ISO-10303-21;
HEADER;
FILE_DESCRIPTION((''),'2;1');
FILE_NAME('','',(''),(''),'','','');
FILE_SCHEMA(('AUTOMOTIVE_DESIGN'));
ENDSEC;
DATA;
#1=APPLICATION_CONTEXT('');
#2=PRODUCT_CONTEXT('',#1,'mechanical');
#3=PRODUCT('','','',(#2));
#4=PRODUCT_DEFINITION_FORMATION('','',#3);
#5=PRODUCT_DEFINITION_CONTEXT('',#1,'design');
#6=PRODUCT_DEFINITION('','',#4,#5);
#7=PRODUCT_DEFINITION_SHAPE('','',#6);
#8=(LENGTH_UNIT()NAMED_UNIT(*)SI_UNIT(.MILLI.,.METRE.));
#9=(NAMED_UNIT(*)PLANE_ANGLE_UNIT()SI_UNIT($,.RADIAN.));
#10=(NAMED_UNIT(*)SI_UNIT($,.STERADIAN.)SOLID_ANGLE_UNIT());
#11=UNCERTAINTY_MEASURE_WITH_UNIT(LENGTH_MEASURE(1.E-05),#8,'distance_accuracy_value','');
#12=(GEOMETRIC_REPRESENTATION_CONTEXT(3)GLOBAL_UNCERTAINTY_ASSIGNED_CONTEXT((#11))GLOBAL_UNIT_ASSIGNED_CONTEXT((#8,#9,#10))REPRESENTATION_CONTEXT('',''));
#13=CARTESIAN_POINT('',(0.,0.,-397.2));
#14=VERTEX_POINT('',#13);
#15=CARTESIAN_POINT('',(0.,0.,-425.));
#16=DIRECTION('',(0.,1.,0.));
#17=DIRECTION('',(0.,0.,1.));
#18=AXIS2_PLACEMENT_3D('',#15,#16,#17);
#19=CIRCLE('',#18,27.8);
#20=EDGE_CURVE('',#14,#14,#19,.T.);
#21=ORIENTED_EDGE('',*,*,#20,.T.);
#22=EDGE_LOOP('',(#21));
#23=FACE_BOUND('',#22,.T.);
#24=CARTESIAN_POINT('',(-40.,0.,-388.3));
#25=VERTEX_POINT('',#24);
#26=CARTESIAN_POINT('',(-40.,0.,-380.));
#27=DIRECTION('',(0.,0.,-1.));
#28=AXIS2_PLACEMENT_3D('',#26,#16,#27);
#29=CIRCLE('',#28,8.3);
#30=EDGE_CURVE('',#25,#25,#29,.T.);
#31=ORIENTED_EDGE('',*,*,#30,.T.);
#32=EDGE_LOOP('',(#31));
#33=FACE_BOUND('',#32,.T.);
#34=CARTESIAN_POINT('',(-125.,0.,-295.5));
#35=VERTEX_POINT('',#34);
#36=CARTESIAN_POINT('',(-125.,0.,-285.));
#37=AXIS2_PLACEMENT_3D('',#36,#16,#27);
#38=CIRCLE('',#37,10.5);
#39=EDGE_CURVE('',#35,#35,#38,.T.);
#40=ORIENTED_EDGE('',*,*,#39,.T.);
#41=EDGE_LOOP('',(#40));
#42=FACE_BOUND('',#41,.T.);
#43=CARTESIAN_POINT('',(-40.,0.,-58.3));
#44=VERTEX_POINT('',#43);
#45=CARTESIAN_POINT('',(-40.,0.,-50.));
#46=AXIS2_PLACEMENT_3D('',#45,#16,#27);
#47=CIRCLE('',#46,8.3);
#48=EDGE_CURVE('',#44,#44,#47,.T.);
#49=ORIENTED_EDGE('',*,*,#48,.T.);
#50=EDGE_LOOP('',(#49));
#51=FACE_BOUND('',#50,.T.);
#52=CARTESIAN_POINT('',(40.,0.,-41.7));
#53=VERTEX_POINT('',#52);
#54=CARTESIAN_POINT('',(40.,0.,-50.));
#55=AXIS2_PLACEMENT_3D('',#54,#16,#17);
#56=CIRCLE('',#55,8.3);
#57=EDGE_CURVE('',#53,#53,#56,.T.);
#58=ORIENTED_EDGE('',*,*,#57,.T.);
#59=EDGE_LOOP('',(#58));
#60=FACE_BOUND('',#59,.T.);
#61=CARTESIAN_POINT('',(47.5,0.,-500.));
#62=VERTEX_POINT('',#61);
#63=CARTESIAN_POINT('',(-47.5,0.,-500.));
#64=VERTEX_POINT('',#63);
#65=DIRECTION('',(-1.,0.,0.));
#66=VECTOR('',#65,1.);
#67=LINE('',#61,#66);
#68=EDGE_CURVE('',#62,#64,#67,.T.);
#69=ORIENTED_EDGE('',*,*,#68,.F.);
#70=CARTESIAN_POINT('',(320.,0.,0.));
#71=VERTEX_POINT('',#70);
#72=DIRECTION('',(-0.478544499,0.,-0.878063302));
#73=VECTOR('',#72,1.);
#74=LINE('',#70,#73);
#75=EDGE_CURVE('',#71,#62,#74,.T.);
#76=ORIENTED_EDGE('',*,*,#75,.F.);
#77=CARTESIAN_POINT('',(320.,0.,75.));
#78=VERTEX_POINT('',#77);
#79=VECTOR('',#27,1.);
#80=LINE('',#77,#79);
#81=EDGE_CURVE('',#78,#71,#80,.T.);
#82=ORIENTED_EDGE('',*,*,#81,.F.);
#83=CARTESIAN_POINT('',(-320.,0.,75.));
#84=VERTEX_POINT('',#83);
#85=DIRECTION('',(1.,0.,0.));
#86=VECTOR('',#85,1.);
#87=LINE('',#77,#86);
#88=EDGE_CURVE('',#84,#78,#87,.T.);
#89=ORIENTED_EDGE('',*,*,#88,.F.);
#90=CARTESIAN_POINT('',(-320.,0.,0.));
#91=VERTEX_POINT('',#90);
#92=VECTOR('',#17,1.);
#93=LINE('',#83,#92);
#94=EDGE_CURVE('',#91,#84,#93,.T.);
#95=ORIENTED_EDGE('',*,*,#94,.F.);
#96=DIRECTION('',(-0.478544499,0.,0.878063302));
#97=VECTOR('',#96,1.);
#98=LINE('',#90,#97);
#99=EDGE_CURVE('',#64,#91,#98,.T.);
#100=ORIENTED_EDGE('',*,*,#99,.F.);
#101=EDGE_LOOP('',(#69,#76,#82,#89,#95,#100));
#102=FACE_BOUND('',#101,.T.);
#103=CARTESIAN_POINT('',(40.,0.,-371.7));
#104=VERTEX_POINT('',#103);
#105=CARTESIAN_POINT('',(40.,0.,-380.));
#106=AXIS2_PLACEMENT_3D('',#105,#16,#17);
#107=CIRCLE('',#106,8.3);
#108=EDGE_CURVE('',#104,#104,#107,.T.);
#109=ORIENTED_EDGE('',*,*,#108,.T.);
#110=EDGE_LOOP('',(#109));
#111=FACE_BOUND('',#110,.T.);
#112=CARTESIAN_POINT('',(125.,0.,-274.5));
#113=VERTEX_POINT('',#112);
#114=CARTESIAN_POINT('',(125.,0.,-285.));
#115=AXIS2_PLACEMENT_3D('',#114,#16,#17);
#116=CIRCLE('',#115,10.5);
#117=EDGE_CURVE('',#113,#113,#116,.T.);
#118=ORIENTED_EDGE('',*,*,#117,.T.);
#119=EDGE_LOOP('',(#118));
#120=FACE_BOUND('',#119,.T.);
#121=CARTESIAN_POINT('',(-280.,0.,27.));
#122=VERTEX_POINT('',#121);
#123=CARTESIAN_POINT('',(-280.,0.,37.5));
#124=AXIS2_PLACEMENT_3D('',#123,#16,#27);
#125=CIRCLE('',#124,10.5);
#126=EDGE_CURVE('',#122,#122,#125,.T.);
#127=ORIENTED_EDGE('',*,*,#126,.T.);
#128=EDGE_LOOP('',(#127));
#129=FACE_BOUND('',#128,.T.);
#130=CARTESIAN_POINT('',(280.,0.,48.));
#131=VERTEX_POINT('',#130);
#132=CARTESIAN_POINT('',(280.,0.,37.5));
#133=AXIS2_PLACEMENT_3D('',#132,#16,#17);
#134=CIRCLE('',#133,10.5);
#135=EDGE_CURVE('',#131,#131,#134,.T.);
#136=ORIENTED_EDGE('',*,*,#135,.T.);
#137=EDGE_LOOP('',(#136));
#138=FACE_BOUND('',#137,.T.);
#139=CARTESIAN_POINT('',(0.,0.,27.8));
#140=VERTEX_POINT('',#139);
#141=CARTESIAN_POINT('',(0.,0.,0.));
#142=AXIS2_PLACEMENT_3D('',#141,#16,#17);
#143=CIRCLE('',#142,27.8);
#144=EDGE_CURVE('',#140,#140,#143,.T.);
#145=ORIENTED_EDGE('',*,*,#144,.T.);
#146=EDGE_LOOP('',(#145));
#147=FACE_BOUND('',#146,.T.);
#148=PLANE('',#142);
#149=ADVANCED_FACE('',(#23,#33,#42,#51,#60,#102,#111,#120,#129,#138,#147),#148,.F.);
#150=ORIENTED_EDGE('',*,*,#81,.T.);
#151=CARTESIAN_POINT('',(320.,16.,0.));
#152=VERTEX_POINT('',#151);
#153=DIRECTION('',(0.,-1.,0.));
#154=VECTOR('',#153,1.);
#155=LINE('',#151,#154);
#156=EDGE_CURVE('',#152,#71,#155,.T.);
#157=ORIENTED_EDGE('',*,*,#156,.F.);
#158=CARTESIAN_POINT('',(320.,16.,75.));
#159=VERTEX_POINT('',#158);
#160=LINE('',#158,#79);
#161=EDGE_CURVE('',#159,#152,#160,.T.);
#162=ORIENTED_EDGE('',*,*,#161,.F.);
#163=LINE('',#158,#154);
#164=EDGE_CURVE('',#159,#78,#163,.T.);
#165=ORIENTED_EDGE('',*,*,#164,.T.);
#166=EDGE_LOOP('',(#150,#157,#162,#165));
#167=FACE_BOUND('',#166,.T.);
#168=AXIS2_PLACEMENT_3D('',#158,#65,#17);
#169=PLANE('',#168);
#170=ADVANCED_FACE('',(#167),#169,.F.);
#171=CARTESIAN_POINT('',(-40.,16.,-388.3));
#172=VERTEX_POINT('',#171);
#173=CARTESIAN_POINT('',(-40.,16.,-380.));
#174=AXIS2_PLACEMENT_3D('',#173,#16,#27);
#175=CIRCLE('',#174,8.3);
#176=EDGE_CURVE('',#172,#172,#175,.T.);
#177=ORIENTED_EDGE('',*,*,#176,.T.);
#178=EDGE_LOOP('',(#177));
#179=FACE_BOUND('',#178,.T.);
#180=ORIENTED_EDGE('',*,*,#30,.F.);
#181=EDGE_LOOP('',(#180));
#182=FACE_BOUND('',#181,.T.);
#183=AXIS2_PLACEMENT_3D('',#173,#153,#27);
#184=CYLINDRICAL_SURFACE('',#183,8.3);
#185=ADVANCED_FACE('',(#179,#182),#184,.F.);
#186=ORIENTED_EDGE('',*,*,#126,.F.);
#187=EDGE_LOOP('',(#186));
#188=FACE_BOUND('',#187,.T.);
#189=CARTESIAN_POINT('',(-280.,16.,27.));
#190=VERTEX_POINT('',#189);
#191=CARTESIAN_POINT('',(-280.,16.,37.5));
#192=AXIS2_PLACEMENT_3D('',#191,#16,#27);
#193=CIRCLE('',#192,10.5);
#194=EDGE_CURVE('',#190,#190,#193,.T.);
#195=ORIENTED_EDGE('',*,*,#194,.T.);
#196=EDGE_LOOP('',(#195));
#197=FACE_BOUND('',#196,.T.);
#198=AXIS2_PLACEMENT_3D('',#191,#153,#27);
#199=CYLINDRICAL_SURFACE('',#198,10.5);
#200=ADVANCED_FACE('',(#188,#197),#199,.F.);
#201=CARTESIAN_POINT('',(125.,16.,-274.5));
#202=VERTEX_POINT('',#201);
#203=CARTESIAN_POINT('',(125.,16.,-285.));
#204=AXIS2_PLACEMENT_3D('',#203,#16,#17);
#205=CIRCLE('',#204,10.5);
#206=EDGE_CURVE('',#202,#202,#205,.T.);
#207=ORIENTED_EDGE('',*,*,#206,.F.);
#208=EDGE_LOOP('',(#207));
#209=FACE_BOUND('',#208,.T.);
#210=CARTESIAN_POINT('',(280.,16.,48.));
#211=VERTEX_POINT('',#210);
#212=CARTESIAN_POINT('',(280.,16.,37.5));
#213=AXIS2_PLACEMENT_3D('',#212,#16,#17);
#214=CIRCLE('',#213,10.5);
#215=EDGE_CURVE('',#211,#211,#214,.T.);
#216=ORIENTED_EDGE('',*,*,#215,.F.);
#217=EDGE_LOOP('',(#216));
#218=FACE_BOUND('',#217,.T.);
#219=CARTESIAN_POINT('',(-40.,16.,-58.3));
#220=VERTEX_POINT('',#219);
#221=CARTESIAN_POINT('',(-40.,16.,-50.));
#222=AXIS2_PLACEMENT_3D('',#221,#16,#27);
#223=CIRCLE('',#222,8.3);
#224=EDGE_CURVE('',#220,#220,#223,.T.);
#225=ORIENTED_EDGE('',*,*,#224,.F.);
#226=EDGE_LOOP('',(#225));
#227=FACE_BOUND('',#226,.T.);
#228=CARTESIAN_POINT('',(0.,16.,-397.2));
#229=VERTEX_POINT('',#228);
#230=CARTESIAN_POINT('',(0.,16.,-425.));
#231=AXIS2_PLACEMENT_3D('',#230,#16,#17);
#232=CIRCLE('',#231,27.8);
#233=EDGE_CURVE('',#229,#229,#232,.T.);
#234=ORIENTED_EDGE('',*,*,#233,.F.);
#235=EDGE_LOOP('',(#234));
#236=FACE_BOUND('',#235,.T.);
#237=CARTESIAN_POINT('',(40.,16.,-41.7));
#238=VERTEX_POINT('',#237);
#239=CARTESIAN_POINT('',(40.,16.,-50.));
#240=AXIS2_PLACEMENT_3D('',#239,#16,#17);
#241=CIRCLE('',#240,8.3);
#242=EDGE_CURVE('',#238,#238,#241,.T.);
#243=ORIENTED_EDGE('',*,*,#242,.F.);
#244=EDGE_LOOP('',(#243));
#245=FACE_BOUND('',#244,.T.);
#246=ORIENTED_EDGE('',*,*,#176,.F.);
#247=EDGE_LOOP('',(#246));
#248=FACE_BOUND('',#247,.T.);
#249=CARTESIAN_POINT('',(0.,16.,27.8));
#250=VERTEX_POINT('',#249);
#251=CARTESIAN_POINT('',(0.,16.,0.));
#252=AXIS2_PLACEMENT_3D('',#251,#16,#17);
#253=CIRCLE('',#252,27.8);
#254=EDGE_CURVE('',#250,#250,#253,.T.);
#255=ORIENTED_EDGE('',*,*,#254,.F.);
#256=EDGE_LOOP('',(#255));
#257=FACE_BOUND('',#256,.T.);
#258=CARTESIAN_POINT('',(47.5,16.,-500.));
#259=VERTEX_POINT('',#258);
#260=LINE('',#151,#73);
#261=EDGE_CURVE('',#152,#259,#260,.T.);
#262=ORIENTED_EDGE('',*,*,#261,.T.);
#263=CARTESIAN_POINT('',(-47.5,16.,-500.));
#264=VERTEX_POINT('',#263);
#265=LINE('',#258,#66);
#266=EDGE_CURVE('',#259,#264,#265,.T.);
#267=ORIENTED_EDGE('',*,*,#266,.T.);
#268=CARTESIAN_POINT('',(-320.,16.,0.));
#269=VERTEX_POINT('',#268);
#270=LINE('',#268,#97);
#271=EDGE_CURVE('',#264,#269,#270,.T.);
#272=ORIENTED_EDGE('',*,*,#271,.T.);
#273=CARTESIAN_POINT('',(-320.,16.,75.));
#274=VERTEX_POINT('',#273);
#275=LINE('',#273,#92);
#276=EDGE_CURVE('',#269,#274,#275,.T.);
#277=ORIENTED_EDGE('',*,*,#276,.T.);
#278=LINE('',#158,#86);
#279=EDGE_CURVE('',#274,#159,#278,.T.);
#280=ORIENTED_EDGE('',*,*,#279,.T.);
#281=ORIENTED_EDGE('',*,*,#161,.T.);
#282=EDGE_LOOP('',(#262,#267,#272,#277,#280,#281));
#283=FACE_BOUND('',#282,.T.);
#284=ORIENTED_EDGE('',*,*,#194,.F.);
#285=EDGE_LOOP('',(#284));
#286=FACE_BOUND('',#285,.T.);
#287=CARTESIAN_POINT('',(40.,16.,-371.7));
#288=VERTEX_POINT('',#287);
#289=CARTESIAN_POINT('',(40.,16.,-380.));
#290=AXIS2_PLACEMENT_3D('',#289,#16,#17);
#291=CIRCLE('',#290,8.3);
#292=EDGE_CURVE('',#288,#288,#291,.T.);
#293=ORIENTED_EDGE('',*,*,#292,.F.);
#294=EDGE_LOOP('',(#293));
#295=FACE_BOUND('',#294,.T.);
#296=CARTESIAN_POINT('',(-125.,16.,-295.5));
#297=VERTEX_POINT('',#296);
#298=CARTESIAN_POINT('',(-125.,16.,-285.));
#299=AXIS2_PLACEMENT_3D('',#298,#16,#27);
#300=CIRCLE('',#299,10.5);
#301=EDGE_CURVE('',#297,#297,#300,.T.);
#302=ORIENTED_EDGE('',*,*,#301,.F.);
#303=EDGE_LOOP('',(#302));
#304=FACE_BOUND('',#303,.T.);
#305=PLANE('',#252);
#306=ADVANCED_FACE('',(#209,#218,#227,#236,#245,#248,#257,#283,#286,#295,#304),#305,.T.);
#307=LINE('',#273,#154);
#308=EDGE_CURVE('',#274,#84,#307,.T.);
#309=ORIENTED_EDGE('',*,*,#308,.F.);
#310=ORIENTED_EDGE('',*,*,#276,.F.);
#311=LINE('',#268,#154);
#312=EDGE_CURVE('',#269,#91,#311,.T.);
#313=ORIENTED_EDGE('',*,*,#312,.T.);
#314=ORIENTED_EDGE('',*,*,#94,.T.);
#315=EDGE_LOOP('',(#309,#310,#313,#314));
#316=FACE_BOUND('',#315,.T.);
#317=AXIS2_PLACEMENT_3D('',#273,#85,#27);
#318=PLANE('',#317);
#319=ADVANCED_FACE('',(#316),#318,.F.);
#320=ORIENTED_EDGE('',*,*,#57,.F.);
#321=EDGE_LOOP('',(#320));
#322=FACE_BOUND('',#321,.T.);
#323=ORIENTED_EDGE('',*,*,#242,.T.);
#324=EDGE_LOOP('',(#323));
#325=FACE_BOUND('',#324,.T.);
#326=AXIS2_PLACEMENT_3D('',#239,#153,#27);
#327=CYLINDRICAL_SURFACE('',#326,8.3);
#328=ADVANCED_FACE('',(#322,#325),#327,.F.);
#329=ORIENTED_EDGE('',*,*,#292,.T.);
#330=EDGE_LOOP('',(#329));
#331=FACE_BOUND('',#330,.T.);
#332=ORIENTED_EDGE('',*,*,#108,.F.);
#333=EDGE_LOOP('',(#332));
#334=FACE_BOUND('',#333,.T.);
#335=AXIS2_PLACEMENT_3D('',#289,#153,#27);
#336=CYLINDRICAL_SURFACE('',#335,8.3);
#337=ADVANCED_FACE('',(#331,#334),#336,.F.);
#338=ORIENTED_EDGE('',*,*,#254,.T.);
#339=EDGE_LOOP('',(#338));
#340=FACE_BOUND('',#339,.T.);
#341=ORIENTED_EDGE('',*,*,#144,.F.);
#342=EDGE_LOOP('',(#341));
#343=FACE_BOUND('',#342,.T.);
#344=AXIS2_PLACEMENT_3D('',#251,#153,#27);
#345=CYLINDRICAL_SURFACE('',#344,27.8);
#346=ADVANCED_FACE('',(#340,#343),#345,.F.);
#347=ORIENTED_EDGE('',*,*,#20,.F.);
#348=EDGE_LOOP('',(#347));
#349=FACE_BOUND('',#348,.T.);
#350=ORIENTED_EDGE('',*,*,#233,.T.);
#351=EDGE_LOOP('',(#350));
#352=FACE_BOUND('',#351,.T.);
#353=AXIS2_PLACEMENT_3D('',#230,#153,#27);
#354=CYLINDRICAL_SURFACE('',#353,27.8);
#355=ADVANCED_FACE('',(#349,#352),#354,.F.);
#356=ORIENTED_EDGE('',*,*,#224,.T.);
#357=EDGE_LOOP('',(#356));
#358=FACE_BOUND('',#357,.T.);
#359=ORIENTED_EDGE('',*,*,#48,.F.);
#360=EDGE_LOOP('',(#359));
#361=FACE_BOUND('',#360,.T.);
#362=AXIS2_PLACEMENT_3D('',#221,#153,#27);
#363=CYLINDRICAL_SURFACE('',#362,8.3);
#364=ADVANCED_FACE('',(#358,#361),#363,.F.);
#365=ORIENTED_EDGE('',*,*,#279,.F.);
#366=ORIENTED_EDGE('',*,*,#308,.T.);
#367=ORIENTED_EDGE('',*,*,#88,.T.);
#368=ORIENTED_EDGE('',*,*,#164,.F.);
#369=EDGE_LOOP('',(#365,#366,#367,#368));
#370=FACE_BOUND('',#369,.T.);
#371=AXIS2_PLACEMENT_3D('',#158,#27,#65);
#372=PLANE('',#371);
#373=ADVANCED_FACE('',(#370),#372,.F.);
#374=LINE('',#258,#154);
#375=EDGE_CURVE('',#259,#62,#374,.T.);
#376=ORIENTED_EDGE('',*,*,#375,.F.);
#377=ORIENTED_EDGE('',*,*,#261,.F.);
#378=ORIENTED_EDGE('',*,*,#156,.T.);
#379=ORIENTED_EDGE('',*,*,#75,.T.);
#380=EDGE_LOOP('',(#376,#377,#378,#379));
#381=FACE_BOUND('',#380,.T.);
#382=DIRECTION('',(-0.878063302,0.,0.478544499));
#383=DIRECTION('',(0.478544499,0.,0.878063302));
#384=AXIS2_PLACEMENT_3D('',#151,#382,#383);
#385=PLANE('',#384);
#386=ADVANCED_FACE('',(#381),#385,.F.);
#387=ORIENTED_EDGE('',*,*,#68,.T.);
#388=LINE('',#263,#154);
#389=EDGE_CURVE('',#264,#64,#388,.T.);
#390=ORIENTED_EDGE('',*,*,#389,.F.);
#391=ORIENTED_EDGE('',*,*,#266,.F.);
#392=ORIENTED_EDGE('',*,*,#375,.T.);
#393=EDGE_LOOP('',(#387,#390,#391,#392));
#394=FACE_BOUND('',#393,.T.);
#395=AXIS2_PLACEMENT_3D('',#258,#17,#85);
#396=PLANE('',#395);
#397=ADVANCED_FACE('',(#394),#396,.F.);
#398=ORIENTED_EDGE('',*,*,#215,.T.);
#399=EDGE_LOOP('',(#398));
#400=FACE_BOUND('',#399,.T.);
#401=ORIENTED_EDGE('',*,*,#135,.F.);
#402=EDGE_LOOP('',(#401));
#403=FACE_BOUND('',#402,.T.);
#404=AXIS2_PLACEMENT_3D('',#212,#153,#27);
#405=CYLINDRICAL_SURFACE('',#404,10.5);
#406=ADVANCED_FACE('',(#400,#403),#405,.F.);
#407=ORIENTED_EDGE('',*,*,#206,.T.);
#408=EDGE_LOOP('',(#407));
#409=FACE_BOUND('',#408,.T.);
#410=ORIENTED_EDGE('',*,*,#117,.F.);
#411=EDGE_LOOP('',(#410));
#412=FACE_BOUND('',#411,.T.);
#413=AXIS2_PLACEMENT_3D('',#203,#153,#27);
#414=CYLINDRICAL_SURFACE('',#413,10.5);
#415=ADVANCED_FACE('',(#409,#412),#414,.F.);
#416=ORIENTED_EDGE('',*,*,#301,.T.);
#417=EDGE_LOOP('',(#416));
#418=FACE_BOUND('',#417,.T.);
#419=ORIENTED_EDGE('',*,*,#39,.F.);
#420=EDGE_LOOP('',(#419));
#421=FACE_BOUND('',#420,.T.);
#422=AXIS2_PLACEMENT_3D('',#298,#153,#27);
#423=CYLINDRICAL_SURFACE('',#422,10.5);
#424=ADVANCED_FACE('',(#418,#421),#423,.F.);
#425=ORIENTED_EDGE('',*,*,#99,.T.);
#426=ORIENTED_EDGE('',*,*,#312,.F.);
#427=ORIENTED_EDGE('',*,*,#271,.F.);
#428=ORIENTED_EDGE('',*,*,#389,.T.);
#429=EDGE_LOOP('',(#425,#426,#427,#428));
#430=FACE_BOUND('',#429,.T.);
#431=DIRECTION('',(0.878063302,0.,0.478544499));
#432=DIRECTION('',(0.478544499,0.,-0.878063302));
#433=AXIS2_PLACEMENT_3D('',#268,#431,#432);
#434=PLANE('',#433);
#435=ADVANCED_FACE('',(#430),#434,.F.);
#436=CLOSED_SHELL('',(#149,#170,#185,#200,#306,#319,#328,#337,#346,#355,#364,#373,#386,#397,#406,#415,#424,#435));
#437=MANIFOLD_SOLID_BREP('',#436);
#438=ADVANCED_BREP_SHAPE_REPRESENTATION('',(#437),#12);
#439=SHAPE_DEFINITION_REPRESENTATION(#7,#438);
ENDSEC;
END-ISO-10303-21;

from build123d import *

# Parameters (mm, degrees)
SKETCH1_R           = 27.8
SKETCH1_R_2         = 8.3
SKETCH1_R_3         = 10.5
BOSS_EXTRUDE1_DEPTH = 16


with BuildPart() as part:
    # Sketch1 → Boss-Extrude1 (new body)
    with BuildSketch(Plane(origin=(0, 0, 0), x_dir=(-1, 0, 0), z_dir=(0, 1, 0))):
        Polygon((-320, 75), (320, 75), (320, 0), (47.5, -500), (-47.5, -500), (-320, 0), align=None)
        with Locations(Location((0, 0, 0), (0, 0, 90))):
            Circle(SKETCH1_R, mode=Mode.SUBTRACT)
        with Locations(Location((0, -425, 0), (0, 0, 90))):
            Circle(SKETCH1_R, mode=Mode.SUBTRACT)
        with Locations(Location((-40, -50, 0), (0, 0, 90))):
            Circle(SKETCH1_R_2, mode=Mode.SUBTRACT)
        with Locations(Location((40, -50, 0), (0, 0, 270))):
            Circle(SKETCH1_R_2, mode=Mode.SUBTRACT)
        with Locations(Location((-40, -380, 0), (0, 0, 90))):
            Circle(SKETCH1_R_2, mode=Mode.SUBTRACT)
        with Locations(Location((40, -380, 0), (0, 0, 270))):
            Circle(SKETCH1_R_2, mode=Mode.SUBTRACT)
        with Locations(Location((-280, 37.5, 0), (0, 0, 90))):
            Circle(SKETCH1_R_3, mode=Mode.SUBTRACT)
        with Locations(Location((280, 37.5, 0), (0, 0, 270))):
            Circle(SKETCH1_R_3, mode=Mode.SUBTRACT)
        with Locations(Location((-125, -285, 0), (0, 0, 90))):
            Circle(SKETCH1_R_3, mode=Mode.SUBTRACT)
        with Locations(Location((125, -285, 0), (0, 0, 270))):
            Circle(SKETCH1_R_3, mode=Mode.SUBTRACT)
    extrude(amount=BOSS_EXTRUDE1_DEPTH)


solid = part.part
